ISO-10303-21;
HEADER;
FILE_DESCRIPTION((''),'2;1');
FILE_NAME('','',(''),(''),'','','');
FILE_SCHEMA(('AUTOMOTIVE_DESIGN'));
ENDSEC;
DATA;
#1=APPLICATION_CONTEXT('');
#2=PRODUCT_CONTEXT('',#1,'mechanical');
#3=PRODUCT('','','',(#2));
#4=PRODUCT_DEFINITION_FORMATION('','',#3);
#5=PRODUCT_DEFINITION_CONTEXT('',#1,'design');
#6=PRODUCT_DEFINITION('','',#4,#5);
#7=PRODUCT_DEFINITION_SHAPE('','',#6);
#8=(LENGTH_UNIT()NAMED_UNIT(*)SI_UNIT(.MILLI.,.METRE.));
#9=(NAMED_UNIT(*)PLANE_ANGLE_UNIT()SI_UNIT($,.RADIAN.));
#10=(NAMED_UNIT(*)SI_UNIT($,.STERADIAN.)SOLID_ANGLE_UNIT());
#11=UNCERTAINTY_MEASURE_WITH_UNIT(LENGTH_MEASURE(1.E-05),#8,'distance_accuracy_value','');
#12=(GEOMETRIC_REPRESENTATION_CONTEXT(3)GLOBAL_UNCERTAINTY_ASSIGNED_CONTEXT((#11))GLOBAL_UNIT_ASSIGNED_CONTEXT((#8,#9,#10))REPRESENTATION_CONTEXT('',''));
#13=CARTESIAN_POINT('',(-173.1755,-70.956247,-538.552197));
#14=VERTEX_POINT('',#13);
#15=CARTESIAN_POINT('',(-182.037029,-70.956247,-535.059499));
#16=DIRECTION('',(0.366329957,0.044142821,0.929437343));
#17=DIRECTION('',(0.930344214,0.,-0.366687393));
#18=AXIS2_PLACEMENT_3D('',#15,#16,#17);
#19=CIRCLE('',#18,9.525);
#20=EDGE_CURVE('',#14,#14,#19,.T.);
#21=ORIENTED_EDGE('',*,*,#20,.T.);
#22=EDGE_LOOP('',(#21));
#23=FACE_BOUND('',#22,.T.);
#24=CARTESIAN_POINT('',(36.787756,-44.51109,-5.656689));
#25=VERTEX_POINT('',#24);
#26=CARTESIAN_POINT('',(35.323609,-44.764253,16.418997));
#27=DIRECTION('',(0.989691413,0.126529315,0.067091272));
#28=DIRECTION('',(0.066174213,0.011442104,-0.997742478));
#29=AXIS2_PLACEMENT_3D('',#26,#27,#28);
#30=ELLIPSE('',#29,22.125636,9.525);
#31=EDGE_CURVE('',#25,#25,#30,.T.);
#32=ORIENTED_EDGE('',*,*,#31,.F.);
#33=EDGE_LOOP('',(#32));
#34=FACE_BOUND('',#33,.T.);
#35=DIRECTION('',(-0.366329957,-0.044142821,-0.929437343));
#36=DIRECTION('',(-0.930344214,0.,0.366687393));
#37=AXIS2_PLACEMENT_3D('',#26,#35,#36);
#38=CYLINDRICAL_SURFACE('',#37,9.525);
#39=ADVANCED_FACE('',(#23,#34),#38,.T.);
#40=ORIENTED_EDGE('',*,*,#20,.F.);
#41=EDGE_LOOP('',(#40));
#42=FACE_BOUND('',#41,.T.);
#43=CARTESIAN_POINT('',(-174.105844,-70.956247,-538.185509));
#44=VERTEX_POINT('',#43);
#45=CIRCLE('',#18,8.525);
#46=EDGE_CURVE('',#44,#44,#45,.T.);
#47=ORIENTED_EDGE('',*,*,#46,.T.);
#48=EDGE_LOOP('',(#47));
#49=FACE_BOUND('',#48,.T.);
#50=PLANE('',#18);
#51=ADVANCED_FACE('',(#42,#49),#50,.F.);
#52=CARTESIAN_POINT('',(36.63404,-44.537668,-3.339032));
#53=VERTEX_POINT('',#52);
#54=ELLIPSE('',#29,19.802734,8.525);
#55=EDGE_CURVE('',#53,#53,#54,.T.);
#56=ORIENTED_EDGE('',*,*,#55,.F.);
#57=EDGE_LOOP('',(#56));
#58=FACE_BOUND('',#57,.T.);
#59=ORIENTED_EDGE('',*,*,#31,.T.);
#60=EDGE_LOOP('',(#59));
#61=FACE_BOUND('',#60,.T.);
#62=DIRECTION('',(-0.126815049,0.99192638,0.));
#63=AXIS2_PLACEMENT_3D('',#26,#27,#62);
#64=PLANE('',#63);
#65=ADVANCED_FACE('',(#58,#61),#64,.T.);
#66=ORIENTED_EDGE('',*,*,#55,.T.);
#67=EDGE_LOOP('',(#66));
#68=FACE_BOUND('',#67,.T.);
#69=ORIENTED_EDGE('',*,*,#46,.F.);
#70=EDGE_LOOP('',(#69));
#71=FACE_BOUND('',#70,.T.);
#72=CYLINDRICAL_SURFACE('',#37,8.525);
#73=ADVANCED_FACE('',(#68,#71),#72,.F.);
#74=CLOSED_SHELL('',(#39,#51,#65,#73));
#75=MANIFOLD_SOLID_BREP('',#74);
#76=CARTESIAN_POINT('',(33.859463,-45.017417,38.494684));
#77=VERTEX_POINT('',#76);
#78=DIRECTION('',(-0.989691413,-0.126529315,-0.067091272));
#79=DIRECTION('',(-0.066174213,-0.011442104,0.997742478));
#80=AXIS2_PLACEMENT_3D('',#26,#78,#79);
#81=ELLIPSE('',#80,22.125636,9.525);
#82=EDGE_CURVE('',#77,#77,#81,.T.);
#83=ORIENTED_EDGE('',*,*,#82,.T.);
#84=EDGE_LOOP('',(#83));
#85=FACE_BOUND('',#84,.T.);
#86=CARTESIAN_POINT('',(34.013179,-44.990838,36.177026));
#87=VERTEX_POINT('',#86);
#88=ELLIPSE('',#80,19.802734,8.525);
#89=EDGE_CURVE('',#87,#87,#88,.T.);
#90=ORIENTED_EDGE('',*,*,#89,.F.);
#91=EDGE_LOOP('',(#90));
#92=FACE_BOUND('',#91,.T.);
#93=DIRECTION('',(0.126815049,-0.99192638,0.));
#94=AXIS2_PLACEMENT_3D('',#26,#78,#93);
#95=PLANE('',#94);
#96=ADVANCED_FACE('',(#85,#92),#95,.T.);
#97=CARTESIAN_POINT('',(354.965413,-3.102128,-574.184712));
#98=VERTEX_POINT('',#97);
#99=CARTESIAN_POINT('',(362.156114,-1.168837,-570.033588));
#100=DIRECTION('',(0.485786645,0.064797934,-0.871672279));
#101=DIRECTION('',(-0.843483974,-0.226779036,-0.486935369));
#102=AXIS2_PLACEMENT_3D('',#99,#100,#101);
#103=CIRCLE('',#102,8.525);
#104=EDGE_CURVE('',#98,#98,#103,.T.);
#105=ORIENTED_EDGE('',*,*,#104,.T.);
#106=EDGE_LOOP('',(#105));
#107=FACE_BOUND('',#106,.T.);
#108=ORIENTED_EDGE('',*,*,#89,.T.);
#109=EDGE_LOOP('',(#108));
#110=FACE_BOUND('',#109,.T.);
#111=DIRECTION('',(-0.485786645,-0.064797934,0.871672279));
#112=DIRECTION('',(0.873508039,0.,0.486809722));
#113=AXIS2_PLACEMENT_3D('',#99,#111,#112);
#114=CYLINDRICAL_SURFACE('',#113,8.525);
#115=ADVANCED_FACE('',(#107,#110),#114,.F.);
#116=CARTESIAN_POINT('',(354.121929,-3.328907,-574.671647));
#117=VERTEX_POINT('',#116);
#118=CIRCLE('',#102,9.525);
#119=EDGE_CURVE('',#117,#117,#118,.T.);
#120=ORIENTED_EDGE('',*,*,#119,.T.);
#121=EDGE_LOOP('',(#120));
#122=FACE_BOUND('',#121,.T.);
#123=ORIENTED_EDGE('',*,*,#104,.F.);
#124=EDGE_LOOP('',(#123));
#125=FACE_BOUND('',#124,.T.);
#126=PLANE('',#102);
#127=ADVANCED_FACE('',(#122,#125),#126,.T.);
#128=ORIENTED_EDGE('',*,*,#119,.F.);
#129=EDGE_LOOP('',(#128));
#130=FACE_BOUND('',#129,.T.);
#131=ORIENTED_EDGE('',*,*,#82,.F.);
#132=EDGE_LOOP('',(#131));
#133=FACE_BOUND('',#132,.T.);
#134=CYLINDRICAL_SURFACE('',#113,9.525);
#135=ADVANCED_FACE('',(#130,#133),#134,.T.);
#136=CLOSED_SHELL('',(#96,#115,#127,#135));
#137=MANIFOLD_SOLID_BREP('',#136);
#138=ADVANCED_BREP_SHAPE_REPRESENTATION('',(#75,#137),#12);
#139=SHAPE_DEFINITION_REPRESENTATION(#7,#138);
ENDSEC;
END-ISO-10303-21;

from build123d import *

# Parameters (mm, degrees)
SKETCH1_R                                 = 9.525
SKETCH1_R_2                               = 8.525
PIPE_STANDARD_S40_PIPE_1_SCH_40_1_DEPTH   = 622.589065093
SKETCH1_ON_SEGMENT_2_R                    = 9.525
SKETCH1_ON_SEGMENT_2_R_2                  = 8.525
PIPE_STANDARD_S40_PIPE_1_SCH_40_1_2_DEPTH = 702.032675189


with BuildPart() as part:
    # Sketch1 → Pipe standard s40 PIPE 1 SCH 40(1) (new body)
    with BuildSketch(Plane(origin=(-182.037028919, -70.956246539, -535.059499451), x_dir=(0.9304472685626328, -0.008381115739210878, -0.36632995690129105), z_dir=(0.3663299569012911, 0.044142820908401624, 0.9294373427181346))):
        Circle(SKETCH1_R)
        Circle(SKETCH1_R_2, mode=Mode.SUBTRACT)
    extrude(amount=PIPE_STANDARD_S40_PIPE_1_SCH_40_1_DEPTH)

    # Pipe standard s40 PIPE 1 SCH 40(1) mitre
    split(bisect_by=Plane(origin=(35.323609273, -44.764253383, 16.418997373), x_dir=(0.126815049, -0.99192638, 0), z_dir=(-0.989691413, -0.126529315, -0.067091272)), keep=Keep.TOP)


with BuildPart() as body_2:
    # Sketch1 on segment 2 (carried to segment 2) → Pipe standard s40 PIPE 1 SCH 40_1 2 (new body)
    with BuildSketch(Plane(origin=(21.118015273, -46.659104037, 41.908834566), x_dir=(-0.841531219, -0.234923673, -0.486452542), z_dir=(0.485786645, 0.064797934, -0.871672279))):
        Circle(SKETCH1_ON_SEGMENT_2_R)
        Circle(SKETCH1_ON_SEGMENT_2_R_2, mode=Mode.SUBTRACT)
    extrude(amount=PIPE_STANDARD_S40_PIPE_1_SCH_40_1_2_DEPTH)

    # Pipe standard s40 PIPE 1 SCH 40_1 2 mitr
    split(bisect_by=Plane(origin=(35.323609273, -44.764253383, 16.418997373), x_dir=(-0.126815049, 0.99192638, 0), z_dir=(0.989691413, 0.126529315, 0.067091272)), keep=Keep.TOP)


solid = Compound([part.part, body_2.part])
